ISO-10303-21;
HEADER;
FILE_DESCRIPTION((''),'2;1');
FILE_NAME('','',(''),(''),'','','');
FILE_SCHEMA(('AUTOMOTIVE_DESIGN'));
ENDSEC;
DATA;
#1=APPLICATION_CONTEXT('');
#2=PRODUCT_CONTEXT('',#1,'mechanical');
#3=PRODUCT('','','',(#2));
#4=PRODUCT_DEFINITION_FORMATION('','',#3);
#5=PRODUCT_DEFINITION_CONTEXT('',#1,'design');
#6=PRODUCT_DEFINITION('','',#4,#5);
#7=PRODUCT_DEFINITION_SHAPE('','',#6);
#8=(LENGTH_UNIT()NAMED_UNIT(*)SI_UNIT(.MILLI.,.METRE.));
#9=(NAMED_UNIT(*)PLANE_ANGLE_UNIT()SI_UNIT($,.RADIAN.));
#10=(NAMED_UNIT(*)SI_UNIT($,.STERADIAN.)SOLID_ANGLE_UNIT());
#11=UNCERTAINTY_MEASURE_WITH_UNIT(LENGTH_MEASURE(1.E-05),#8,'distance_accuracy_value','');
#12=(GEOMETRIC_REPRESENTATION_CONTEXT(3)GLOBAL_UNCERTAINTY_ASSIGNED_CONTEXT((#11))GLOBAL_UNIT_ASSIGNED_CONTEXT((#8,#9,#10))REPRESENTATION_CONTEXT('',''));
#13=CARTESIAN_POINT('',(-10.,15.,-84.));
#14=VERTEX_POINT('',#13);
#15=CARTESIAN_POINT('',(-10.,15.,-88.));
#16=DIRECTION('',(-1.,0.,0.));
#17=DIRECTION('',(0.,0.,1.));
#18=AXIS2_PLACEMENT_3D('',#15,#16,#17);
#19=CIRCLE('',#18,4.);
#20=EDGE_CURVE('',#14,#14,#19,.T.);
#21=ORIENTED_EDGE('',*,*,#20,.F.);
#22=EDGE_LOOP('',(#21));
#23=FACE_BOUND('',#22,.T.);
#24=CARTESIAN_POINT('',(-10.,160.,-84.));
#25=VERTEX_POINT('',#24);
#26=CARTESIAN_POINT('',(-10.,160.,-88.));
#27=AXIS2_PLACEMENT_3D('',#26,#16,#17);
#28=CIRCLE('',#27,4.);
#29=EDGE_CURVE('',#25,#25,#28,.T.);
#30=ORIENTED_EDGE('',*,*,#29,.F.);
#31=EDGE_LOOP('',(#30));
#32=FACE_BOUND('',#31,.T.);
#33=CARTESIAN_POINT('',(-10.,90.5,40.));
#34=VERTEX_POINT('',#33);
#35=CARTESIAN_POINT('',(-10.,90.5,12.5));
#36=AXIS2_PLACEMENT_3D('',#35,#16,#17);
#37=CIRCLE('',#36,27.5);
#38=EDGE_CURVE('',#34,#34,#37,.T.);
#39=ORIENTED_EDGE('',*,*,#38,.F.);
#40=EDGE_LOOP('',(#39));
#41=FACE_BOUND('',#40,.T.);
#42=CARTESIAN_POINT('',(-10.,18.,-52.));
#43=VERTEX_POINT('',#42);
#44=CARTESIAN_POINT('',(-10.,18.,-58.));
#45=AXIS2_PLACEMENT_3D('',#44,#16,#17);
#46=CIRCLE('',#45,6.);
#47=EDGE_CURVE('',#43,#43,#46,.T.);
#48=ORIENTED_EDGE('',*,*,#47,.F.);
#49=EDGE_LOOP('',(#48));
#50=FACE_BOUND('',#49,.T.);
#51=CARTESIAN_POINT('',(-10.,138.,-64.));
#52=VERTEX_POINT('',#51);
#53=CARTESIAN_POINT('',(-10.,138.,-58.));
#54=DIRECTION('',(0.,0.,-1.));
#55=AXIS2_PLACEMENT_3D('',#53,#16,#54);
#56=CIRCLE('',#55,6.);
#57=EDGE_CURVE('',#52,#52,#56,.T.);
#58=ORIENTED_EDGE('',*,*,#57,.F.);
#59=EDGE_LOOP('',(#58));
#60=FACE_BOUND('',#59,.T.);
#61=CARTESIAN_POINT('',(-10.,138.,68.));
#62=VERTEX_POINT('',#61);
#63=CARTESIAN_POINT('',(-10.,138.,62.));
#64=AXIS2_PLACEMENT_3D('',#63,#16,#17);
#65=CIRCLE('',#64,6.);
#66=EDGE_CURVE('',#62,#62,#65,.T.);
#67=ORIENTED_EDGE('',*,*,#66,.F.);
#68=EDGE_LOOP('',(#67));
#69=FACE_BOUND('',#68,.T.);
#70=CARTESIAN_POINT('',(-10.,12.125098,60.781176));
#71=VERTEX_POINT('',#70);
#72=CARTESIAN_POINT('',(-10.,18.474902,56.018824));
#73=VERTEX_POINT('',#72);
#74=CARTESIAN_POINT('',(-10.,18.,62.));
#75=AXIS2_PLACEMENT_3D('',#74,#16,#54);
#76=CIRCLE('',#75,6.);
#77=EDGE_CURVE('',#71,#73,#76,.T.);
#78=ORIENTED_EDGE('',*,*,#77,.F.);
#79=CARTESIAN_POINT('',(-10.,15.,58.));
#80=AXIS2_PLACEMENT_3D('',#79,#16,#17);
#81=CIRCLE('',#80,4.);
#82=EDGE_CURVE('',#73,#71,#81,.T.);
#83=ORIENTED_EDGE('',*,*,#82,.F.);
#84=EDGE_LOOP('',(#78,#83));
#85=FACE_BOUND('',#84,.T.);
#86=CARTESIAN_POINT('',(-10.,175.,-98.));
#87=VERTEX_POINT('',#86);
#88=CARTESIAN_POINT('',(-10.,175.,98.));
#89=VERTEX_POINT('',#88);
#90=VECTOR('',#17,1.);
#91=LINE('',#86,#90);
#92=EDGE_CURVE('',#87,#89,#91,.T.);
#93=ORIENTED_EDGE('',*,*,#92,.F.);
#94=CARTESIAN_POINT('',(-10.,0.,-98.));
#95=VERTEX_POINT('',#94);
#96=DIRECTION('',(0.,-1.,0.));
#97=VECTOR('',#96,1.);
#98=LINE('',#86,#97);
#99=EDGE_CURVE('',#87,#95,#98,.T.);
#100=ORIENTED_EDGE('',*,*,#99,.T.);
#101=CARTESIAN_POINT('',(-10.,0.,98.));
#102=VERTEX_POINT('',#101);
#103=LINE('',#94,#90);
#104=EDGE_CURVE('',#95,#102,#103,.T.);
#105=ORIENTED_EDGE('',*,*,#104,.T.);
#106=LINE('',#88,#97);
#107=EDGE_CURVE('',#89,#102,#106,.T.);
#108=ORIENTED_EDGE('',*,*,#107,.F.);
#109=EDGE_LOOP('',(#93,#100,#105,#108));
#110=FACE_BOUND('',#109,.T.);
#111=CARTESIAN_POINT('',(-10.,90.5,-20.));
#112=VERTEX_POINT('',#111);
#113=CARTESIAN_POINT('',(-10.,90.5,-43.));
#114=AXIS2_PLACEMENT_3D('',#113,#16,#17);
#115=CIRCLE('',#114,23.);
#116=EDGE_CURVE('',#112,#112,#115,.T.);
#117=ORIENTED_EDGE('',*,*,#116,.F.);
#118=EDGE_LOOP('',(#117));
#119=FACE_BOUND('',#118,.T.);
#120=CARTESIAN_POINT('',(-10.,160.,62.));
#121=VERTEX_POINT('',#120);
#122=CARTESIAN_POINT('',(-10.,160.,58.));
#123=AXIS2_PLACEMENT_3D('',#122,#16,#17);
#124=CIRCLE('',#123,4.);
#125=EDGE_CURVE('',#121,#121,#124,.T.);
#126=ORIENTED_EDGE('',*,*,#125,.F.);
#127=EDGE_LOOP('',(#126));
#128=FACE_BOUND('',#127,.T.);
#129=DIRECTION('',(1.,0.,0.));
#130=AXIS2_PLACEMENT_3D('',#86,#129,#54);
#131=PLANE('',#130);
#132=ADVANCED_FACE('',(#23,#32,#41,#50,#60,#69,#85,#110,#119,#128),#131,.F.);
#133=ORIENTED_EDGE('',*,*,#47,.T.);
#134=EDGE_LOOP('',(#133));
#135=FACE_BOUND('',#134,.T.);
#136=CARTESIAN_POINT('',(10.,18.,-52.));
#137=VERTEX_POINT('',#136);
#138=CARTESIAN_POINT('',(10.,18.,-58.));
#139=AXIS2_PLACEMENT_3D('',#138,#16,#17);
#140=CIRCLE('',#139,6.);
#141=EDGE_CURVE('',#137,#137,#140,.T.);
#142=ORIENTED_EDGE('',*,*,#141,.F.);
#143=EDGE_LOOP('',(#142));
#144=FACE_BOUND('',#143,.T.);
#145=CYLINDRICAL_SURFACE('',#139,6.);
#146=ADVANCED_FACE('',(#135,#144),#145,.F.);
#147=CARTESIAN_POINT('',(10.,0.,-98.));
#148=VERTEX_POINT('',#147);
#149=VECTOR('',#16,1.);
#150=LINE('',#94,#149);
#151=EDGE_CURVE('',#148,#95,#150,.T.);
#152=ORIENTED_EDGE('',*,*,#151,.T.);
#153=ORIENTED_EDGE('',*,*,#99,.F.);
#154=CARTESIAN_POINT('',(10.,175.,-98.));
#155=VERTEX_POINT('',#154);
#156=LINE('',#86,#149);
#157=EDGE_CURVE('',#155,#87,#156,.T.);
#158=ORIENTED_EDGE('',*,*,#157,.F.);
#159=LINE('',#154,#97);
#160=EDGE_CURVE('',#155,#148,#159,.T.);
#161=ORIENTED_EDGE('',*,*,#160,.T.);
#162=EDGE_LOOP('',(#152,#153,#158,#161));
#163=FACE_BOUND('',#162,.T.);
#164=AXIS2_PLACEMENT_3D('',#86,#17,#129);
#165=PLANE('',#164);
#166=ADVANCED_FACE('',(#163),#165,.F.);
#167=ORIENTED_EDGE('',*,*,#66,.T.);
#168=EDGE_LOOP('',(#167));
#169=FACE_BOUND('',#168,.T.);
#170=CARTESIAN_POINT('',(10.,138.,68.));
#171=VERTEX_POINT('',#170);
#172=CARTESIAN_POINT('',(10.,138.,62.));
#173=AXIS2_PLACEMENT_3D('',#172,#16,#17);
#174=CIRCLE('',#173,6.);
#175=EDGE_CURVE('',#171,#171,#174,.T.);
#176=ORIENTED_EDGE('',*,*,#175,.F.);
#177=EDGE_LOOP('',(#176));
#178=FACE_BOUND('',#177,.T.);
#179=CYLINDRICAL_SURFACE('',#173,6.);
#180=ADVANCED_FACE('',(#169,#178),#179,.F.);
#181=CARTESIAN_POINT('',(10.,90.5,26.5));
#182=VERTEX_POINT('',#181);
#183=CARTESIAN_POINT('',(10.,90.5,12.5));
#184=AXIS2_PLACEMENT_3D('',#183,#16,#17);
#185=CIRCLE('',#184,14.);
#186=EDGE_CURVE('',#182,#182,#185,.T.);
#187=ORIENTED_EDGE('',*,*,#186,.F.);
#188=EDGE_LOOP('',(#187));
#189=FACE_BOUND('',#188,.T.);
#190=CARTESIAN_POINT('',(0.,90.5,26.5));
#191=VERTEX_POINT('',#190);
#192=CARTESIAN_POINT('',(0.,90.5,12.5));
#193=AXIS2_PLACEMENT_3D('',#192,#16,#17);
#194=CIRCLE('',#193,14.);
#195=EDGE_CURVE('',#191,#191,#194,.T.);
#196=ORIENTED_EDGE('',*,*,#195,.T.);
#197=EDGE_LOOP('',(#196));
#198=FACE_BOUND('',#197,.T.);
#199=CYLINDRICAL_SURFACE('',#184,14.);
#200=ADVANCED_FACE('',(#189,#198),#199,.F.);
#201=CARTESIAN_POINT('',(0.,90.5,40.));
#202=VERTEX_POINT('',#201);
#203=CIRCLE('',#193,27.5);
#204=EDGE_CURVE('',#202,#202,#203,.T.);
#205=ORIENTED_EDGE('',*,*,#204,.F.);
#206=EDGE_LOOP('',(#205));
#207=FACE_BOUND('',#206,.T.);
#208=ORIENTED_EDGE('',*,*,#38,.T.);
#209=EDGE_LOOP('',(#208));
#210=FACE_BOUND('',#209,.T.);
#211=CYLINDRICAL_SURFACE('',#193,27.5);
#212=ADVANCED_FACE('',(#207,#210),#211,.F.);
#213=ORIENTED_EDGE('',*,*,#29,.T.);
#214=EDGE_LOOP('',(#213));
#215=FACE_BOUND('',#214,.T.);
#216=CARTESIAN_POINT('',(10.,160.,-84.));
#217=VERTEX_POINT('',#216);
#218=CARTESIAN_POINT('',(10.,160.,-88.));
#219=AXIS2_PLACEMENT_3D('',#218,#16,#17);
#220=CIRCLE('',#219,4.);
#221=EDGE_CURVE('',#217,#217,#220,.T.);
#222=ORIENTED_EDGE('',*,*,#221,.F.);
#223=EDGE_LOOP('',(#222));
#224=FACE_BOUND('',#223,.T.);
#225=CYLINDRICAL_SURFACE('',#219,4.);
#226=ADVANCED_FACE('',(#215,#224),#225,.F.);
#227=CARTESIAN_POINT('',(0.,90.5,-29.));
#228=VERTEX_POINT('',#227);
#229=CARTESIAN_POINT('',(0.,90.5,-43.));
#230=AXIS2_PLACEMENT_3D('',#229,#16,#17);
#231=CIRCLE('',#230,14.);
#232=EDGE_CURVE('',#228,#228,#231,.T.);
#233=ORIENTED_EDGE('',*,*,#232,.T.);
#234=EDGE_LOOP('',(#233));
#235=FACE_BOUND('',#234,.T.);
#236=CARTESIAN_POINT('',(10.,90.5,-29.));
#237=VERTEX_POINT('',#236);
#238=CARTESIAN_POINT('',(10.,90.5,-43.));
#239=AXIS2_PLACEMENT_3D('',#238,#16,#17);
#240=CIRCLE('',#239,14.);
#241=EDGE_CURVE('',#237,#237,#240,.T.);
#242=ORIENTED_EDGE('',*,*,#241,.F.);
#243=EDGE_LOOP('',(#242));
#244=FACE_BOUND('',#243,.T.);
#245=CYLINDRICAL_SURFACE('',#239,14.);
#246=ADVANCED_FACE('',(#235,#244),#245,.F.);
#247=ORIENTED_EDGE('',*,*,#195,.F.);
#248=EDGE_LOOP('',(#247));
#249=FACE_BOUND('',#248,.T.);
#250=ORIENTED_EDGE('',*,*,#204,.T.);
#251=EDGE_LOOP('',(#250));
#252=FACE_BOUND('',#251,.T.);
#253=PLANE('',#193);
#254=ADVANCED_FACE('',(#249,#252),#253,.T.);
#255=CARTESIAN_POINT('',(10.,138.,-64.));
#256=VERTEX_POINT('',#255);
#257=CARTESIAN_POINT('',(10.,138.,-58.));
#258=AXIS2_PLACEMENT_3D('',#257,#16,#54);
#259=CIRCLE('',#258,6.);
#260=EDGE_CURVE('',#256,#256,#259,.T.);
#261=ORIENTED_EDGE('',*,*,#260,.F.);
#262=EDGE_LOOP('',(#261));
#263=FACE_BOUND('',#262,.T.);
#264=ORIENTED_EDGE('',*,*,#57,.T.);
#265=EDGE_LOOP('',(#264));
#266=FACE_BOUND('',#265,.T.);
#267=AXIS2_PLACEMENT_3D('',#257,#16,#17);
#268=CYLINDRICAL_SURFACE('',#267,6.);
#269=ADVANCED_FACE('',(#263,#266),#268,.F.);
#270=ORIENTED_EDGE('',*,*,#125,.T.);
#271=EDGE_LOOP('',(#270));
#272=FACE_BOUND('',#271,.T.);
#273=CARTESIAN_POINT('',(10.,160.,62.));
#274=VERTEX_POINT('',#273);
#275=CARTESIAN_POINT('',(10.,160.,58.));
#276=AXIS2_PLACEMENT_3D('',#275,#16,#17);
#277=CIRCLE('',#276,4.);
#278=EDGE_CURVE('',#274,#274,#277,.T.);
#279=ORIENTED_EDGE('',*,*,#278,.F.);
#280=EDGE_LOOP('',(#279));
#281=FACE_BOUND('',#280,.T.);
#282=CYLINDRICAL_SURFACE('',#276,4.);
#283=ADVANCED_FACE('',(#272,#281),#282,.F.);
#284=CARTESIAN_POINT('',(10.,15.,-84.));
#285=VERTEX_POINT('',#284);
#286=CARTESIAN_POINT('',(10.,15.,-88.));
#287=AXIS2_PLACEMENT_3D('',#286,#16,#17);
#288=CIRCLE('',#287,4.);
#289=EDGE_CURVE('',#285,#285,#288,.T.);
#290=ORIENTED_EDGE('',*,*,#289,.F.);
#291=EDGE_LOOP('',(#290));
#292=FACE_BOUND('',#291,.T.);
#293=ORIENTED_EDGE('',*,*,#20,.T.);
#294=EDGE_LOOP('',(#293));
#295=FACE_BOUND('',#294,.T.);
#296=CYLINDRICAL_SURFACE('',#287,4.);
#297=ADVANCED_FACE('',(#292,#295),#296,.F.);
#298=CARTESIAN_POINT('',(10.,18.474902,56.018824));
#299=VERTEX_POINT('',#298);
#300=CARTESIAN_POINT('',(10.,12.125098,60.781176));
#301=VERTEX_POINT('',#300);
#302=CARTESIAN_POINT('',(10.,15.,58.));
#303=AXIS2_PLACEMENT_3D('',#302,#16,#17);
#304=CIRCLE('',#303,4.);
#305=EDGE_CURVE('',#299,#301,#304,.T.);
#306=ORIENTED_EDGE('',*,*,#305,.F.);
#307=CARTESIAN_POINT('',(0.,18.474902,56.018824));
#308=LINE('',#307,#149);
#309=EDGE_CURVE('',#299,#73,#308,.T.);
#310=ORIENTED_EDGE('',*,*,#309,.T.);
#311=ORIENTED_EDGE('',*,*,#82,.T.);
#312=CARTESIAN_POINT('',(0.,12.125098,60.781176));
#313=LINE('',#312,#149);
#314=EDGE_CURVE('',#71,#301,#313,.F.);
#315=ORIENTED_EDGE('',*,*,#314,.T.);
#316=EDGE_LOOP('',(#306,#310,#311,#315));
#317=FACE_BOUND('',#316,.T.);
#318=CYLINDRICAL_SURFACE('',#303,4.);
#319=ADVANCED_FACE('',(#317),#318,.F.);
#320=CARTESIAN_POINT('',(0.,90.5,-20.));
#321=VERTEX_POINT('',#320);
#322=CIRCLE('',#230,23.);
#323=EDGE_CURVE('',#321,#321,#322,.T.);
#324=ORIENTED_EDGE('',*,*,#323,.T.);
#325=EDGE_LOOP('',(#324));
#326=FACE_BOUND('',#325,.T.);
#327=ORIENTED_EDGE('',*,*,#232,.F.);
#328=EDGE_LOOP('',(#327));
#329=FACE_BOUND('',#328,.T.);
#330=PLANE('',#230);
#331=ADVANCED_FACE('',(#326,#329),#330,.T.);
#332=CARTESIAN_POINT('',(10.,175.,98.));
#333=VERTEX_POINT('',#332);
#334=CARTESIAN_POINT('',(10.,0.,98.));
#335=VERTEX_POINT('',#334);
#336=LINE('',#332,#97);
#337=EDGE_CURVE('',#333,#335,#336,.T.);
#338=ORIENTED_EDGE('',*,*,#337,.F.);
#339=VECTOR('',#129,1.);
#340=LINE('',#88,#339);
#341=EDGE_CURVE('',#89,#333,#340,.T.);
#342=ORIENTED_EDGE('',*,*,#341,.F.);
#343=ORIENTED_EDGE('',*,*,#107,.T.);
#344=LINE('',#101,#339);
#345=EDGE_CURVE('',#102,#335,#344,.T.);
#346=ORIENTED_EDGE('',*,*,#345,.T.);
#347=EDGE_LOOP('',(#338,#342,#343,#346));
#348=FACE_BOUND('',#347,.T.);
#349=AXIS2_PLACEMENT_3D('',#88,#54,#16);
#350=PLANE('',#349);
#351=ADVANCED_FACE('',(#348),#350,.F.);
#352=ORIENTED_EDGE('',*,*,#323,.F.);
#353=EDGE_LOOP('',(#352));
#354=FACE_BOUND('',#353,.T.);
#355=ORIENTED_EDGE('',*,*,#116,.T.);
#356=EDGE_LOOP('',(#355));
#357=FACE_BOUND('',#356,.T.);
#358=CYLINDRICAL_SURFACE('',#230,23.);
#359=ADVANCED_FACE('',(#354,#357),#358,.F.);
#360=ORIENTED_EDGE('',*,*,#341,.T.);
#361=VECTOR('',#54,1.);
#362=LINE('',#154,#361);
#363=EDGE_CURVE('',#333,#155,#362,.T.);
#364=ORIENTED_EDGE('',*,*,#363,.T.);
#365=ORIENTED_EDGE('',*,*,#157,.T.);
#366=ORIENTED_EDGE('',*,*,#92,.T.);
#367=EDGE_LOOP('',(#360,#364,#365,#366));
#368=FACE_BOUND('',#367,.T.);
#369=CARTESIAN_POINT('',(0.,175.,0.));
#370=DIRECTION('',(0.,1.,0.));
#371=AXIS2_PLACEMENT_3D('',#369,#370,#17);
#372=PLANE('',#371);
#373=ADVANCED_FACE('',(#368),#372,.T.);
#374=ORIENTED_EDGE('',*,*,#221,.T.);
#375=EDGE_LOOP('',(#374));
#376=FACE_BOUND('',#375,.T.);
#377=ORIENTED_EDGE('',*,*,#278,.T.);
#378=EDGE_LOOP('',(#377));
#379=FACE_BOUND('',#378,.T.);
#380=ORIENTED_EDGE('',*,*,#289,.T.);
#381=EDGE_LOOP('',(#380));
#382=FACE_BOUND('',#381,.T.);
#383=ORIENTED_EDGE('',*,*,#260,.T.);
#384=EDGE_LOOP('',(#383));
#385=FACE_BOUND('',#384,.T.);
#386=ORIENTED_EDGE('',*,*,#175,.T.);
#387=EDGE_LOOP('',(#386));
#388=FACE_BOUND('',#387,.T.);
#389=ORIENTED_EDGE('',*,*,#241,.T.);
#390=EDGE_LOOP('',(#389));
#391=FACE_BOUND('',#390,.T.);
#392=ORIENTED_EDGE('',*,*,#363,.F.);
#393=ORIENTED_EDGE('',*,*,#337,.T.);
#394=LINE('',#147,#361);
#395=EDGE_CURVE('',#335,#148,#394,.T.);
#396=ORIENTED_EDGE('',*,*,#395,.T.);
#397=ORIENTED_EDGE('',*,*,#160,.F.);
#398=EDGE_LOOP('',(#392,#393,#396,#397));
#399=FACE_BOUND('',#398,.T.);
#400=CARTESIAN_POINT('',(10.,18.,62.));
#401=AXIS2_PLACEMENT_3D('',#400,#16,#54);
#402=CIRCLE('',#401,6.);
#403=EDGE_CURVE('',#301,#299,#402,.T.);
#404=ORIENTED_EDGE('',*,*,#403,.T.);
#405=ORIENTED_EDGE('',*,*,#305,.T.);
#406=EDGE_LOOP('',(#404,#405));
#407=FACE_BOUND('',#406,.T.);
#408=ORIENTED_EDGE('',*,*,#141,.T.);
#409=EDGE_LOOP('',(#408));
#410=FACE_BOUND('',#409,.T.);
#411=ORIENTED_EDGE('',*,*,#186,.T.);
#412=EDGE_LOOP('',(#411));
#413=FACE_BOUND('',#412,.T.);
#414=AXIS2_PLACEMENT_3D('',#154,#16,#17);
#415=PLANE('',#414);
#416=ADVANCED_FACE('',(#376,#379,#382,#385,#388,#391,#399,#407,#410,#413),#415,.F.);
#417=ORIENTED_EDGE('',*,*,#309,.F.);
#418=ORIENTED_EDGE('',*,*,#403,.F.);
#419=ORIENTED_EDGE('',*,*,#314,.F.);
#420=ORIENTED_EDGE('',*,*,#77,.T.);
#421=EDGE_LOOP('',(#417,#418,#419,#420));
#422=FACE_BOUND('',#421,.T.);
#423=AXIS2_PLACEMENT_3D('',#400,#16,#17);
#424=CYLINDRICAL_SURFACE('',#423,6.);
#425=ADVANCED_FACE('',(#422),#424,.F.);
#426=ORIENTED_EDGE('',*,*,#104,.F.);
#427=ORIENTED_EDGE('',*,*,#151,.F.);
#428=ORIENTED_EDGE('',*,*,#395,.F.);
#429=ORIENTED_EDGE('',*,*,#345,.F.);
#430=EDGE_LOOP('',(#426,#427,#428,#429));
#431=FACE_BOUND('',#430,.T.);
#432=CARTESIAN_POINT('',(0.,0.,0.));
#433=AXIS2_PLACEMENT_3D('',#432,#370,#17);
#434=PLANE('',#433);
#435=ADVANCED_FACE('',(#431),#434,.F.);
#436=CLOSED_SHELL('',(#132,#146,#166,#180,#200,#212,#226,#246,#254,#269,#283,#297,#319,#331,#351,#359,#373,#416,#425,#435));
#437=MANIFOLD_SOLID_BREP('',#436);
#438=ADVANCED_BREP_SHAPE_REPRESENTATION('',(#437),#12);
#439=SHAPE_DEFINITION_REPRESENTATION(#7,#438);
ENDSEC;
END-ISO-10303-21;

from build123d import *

# Parameters (mm, degrees)
SKETCH1_W           = 20
SKETCH1_H           = 196
BOSS_EXTRUDE1_DEPTH = 175
SKETCH2_R           = 27.5
SKETCH2_R_2         = 23
CUT_EXTRUDE1_DEPTH  = 10
SKETCH3_R           = 14
CUT_EXTRUDE2_DEPTH  = 11
SKETCH4_R           = 4
CUT_EXTRUDE3_DEPTH  = 21
SKETCH5_R           = 6
CUT_EXTRUDE4_DEPTH  = 21


with BuildPart() as part:
    # Sketch1 → Boss-Extrude1 (new body)
    with BuildSketch(Plane(origin=(114, 0, 0), x_dir=(1, 0, 0), z_dir=(0, 1, 0))):
        with Locations((-114, 0)):
            Rectangle(SKETCH1_W, SKETCH1_H)
    extrude(amount=BOSS_EXTRUDE1_DEPTH)

    # Sketch2 → Cut-Extrude1 (cut)
    with BuildSketch(Plane.ZY.offset(10)):
        with Locations((12.5, 90.5)):
            Circle(SKETCH2_R)
        with Locations((-43, 90.5)):
            Circle(SKETCH2_R_2)
    extrude(amount=-CUT_EXTRUDE1_DEPTH, mode=Mode.SUBTRACT)

    # Sketch3 → Cut-Extrude2 (cut, through all)
    with BuildSketch(Plane.ZY):
        with Locations((12.5, 90.5)):
            Circle(SKETCH3_R)
        with Locations((-43, 90.5)):
            Circle(SKETCH3_R)
    extrude(amount=-CUT_EXTRUDE2_DEPTH, mode=Mode.SUBTRACT)

    # Sketch4 → Cut-Extrude3 (cut, through all)
    with BuildSketch(Plane.ZY.offset(10)):
        with Locations((58, 15)):
            Circle(SKETCH4_R)
        with Locations((-88, 15)):
            Circle(SKETCH4_R)
        with Locations((-88, 160)):
            Circle(SKETCH4_R)
        with Locations((58, 160)):
            Circle(SKETCH4_R)
    extrude(amount=-CUT_EXTRUDE3_DEPTH, mode=Mode.SUBTRACT)

    # Sketch5 → Cut-Extrude4 (cut, through all)
    with BuildSketch(Plane.ZY.offset(10)):
        with Locations((62, 138)):
            Circle(SKETCH5_R)
        with Locations((62, 18)):
            Circle(SKETCH5_R)
        with Locations((-58, 138)):
            Circle(SKETCH5_R)
        with Locations((-58, 18)):
            Circle(SKETCH5_R)
    extrude(amount=-CUT_EXTRUDE4_DEPTH, mode=Mode.SUBTRACT)


solid = part.part
